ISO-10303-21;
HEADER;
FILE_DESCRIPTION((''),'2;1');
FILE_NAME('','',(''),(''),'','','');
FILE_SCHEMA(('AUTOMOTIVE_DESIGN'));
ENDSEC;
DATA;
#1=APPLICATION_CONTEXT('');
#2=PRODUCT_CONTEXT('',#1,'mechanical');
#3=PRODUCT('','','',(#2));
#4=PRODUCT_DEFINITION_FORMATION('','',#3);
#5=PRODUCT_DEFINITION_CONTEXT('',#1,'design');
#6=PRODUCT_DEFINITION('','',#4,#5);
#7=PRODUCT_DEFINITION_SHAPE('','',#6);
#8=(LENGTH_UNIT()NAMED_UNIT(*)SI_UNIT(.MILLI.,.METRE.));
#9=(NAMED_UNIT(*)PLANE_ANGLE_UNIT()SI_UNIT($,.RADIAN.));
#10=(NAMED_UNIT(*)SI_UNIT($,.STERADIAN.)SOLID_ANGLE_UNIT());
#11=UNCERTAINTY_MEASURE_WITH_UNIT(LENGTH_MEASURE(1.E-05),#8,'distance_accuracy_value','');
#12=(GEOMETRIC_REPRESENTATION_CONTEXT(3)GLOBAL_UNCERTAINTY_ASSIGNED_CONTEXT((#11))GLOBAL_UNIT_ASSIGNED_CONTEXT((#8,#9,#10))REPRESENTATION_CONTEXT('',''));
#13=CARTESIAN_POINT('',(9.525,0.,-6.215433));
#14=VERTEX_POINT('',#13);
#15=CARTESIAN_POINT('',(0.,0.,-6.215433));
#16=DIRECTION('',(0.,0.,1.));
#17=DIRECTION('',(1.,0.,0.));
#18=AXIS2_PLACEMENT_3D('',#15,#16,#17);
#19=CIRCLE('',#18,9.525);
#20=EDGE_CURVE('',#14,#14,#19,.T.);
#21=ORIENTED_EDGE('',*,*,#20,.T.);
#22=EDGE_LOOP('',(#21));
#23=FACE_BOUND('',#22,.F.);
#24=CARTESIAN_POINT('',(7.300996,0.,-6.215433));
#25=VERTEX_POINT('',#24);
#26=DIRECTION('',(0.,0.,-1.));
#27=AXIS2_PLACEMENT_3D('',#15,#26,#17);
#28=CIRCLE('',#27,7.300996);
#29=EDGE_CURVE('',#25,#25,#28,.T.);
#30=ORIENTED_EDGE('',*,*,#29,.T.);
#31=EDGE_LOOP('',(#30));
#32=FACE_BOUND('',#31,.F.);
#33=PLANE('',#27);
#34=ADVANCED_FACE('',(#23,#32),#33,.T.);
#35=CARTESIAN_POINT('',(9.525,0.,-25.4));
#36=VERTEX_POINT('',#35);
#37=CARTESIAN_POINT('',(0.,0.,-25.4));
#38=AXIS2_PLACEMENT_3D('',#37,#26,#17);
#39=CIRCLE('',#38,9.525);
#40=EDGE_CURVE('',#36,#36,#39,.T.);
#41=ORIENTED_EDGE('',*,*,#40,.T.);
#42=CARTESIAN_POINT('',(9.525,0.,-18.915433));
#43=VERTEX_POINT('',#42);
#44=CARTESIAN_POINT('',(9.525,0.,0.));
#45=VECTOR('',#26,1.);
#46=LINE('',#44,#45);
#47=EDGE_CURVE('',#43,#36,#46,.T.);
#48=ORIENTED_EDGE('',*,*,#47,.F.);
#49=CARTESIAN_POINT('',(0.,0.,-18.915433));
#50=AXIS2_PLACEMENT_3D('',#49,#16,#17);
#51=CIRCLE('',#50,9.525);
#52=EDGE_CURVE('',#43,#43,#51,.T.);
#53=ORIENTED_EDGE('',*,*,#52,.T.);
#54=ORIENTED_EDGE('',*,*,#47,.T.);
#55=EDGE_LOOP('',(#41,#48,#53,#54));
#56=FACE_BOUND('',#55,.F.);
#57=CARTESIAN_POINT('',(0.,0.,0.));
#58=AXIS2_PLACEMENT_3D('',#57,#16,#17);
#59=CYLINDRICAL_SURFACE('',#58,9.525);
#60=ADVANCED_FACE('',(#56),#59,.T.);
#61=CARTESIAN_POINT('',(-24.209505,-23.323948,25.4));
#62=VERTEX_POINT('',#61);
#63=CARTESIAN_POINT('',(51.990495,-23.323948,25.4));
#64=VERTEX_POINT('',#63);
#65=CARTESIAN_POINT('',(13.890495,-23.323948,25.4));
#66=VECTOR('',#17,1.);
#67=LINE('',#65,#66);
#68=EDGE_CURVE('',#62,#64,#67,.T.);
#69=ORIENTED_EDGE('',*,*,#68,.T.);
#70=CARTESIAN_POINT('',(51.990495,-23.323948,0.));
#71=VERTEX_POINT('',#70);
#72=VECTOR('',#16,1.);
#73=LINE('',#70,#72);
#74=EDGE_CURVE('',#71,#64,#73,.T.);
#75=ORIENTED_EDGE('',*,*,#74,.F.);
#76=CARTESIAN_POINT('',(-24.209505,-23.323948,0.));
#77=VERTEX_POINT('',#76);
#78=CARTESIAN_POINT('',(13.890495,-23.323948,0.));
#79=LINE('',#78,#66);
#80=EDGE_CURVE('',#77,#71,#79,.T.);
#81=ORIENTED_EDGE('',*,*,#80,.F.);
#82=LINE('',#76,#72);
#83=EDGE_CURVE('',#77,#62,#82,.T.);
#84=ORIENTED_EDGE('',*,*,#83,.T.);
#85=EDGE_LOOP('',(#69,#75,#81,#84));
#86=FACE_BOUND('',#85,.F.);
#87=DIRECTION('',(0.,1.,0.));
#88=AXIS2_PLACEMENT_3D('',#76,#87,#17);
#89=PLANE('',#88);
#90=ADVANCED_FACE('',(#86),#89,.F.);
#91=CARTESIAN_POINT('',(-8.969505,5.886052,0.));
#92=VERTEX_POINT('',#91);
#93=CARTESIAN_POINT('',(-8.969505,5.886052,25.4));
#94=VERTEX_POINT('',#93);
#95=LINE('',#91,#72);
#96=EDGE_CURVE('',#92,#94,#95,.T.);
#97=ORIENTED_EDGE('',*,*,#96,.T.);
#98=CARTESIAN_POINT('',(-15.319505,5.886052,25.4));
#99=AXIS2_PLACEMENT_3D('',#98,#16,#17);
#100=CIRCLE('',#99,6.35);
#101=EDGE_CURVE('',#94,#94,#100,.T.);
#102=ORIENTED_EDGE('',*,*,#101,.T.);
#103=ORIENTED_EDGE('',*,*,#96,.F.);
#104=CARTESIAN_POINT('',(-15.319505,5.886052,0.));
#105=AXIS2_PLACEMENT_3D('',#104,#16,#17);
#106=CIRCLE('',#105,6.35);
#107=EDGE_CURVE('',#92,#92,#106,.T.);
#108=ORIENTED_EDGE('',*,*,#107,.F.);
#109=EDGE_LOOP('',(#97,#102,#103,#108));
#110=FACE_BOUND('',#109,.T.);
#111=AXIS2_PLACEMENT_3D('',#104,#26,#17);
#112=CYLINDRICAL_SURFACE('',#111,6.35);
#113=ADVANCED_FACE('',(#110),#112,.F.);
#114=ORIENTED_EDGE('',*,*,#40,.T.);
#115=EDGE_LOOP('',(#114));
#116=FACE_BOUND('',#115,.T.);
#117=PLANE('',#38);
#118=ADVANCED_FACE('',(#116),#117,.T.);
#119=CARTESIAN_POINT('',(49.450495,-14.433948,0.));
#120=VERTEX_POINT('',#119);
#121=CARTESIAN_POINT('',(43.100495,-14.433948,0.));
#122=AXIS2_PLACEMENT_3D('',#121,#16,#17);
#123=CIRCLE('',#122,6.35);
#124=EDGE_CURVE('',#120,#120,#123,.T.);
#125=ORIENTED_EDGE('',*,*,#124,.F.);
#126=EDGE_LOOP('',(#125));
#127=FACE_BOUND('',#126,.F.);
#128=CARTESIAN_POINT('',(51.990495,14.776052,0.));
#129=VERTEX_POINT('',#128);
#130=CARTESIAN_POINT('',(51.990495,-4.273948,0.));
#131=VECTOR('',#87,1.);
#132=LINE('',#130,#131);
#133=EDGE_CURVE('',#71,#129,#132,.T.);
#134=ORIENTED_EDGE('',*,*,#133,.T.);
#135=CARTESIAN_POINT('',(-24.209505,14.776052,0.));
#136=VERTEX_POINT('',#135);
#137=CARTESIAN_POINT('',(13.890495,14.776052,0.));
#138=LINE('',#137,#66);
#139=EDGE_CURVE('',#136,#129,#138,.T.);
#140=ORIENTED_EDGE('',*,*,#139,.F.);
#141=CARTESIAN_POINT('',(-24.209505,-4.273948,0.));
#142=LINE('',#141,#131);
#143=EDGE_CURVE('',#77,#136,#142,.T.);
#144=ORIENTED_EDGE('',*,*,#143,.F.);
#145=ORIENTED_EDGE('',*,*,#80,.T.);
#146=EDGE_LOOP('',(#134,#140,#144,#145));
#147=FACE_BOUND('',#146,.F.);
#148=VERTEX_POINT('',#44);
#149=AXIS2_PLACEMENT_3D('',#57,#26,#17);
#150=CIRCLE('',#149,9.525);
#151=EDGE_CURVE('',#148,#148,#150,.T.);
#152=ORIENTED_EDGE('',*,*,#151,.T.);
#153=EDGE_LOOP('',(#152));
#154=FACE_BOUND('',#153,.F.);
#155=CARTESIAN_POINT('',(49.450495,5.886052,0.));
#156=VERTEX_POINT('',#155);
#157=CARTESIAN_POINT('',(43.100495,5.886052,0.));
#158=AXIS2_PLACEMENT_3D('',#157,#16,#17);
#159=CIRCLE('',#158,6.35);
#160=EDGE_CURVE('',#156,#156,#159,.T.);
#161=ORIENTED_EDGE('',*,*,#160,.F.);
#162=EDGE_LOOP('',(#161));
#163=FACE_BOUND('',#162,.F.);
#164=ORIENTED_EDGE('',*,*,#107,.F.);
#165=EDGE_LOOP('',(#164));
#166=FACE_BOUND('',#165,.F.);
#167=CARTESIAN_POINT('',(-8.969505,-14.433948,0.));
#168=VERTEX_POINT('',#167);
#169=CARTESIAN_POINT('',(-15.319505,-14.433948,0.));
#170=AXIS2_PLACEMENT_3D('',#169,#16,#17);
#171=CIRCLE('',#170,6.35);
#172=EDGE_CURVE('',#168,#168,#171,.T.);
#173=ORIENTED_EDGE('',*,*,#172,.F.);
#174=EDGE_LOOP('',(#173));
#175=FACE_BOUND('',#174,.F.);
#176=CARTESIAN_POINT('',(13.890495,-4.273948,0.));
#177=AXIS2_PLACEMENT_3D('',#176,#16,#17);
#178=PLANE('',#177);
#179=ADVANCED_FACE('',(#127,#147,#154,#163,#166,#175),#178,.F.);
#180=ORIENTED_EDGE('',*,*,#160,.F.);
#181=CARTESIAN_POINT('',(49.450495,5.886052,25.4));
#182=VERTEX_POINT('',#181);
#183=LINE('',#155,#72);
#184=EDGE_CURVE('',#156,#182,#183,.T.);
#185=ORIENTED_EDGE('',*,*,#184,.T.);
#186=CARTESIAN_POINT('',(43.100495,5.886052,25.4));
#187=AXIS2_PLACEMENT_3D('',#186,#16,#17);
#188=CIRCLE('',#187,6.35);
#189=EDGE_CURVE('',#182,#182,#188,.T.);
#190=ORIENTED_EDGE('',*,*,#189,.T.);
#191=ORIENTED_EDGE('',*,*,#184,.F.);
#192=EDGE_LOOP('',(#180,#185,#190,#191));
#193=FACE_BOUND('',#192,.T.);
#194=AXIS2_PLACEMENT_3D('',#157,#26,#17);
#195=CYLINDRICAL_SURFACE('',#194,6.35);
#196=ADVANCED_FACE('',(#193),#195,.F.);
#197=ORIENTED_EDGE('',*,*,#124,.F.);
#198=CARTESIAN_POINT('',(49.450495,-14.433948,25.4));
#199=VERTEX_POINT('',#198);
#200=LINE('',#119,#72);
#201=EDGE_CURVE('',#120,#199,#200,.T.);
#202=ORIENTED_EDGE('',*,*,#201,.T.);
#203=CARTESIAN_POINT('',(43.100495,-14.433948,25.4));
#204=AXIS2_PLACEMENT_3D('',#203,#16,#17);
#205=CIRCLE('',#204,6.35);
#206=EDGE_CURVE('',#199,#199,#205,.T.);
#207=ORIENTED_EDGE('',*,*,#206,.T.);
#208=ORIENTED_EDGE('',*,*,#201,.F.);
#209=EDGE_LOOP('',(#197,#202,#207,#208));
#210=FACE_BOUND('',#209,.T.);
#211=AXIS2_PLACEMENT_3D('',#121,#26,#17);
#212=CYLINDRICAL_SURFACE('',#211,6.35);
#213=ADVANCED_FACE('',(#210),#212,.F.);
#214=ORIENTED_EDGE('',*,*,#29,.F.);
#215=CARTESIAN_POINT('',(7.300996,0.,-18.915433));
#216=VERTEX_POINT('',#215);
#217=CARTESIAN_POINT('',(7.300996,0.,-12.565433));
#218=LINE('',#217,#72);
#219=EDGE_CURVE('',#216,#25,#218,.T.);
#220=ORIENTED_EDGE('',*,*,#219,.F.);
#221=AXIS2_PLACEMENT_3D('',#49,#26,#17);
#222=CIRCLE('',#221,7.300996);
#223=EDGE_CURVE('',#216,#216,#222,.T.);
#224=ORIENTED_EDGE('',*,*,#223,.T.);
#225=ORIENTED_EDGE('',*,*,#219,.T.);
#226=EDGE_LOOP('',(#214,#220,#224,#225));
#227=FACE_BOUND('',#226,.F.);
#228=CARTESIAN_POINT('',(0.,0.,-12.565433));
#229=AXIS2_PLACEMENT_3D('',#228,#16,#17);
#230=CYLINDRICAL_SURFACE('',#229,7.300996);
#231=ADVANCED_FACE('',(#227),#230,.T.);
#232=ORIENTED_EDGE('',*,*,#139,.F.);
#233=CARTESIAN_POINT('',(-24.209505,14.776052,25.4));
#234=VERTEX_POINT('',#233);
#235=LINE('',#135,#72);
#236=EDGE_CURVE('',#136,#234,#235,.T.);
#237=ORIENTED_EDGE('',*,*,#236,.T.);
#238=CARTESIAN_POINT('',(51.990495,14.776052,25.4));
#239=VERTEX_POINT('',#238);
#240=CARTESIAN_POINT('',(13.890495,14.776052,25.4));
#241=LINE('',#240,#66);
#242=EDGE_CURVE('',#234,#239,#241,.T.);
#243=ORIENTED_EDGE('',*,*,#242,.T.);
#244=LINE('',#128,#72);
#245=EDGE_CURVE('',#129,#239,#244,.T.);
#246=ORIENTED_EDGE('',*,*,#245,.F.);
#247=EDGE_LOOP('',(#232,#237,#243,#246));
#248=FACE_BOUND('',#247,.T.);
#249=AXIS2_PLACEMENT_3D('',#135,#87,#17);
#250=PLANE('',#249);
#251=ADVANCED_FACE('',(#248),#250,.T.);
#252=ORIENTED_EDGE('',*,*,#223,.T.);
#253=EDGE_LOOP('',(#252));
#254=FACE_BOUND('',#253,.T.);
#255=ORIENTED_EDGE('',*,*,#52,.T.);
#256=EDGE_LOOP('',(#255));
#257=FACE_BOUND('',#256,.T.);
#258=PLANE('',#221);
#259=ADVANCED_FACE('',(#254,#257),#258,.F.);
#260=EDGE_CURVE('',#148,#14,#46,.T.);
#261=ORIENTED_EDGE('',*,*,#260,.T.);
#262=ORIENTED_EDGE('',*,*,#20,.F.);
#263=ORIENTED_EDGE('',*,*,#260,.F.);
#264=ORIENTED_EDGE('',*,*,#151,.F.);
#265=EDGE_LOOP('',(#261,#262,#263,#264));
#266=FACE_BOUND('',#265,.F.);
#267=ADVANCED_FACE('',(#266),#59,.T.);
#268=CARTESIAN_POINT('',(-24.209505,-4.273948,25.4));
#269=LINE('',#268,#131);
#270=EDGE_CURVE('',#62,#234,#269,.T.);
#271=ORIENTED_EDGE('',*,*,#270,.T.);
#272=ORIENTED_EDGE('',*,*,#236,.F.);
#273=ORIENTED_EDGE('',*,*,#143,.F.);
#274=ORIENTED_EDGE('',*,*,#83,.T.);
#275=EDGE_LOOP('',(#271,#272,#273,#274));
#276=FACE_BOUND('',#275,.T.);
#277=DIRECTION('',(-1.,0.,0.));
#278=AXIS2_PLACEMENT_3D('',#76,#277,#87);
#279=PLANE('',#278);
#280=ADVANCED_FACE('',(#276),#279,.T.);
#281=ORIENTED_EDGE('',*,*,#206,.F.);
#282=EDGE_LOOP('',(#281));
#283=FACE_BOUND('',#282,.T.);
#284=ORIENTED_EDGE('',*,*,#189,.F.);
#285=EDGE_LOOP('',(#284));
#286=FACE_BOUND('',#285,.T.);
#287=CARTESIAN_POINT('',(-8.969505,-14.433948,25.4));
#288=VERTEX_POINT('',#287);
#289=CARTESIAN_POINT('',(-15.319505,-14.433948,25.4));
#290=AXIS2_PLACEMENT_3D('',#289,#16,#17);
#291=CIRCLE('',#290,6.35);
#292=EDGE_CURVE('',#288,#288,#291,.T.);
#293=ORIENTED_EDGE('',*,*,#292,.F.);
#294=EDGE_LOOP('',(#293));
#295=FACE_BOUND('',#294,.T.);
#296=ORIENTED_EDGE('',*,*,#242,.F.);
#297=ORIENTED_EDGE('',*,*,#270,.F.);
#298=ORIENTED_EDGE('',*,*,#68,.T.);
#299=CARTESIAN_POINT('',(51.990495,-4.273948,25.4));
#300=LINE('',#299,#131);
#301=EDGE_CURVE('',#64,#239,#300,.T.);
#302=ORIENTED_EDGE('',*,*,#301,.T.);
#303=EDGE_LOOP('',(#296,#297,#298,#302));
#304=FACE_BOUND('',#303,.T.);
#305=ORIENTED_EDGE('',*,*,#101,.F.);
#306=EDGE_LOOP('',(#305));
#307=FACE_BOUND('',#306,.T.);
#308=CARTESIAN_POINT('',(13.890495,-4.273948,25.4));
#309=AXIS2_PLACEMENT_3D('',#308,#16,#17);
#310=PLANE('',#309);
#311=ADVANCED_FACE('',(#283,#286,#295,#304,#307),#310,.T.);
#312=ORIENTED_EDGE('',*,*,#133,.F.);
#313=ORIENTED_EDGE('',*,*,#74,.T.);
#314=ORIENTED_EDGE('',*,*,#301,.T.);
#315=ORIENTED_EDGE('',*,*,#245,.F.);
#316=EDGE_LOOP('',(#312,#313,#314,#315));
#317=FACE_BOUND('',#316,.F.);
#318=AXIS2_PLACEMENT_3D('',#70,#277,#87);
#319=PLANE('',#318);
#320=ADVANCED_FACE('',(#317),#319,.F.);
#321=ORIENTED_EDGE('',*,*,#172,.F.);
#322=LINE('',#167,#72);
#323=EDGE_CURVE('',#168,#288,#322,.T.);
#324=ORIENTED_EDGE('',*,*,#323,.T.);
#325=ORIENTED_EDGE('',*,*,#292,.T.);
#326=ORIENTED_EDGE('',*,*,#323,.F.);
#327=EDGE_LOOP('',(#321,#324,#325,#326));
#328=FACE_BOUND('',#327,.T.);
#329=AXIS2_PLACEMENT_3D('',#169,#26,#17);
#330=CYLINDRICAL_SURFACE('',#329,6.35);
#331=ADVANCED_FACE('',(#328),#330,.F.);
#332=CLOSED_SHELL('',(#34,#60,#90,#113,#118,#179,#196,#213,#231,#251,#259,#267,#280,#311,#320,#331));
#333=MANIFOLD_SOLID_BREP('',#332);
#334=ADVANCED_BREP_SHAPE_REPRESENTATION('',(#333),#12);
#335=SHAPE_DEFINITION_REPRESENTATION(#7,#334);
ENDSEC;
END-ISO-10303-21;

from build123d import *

# Parameters (mm, degrees)
F0_W     = 76.2
F0_H     = 38.1
F1_DEPTH = 25.4
F2_R     = 6.35
F3_DEPTH = 25.4
F4_R     = 9.525
F5_DEPTH = 25.4
F6_W     = 12.7
F6_H     = 12.7


with BuildPart() as f1:
    # F0 (on Top) → F1 (new body)
    with BuildSketch(Plane.XY):
        with Locations((13.890495, -4.273948)):
            Rectangle(F0_W, F0_H)
    extrude(amount=F1_DEPTH)

    # F2 (on Top) → F3 (cut)
    with BuildSketch(Plane.XY):
        with Locations((-15.319505, 5.886052)):
            Circle(F2_R)
        with Locations((-15.319505, -14.433948)):
            Circle(F2_R)
        with Locations((43.100495, 5.886052)):
            Circle(F2_R)
        with Locations((43.100495, -14.433948)):
            Circle(F2_R)
    extrude(amount=F3_DEPTH, mode=Mode.SUBTRACT)

    # F4 (on face) → F5 (join)
    with BuildSketch(Plane(origin=(0, 0, 0), x_dir=(1, 0, 0), z_dir=(0, 0, -1))):
        Circle(F4_R)
    extrude(amount=F5_DEPTH)

    # F6 (on Front) → F7 (revolve, cut)
    with BuildSketch(Plane.XZ):
        with Locations((13.650996, -12.565433)):
            Rectangle(F6_W, F6_H)
    revolve(axis=Axis((0, 0, -25.4), (0, 0, -1)), mode=Mode.SUBTRACT)


solid = f1.part
